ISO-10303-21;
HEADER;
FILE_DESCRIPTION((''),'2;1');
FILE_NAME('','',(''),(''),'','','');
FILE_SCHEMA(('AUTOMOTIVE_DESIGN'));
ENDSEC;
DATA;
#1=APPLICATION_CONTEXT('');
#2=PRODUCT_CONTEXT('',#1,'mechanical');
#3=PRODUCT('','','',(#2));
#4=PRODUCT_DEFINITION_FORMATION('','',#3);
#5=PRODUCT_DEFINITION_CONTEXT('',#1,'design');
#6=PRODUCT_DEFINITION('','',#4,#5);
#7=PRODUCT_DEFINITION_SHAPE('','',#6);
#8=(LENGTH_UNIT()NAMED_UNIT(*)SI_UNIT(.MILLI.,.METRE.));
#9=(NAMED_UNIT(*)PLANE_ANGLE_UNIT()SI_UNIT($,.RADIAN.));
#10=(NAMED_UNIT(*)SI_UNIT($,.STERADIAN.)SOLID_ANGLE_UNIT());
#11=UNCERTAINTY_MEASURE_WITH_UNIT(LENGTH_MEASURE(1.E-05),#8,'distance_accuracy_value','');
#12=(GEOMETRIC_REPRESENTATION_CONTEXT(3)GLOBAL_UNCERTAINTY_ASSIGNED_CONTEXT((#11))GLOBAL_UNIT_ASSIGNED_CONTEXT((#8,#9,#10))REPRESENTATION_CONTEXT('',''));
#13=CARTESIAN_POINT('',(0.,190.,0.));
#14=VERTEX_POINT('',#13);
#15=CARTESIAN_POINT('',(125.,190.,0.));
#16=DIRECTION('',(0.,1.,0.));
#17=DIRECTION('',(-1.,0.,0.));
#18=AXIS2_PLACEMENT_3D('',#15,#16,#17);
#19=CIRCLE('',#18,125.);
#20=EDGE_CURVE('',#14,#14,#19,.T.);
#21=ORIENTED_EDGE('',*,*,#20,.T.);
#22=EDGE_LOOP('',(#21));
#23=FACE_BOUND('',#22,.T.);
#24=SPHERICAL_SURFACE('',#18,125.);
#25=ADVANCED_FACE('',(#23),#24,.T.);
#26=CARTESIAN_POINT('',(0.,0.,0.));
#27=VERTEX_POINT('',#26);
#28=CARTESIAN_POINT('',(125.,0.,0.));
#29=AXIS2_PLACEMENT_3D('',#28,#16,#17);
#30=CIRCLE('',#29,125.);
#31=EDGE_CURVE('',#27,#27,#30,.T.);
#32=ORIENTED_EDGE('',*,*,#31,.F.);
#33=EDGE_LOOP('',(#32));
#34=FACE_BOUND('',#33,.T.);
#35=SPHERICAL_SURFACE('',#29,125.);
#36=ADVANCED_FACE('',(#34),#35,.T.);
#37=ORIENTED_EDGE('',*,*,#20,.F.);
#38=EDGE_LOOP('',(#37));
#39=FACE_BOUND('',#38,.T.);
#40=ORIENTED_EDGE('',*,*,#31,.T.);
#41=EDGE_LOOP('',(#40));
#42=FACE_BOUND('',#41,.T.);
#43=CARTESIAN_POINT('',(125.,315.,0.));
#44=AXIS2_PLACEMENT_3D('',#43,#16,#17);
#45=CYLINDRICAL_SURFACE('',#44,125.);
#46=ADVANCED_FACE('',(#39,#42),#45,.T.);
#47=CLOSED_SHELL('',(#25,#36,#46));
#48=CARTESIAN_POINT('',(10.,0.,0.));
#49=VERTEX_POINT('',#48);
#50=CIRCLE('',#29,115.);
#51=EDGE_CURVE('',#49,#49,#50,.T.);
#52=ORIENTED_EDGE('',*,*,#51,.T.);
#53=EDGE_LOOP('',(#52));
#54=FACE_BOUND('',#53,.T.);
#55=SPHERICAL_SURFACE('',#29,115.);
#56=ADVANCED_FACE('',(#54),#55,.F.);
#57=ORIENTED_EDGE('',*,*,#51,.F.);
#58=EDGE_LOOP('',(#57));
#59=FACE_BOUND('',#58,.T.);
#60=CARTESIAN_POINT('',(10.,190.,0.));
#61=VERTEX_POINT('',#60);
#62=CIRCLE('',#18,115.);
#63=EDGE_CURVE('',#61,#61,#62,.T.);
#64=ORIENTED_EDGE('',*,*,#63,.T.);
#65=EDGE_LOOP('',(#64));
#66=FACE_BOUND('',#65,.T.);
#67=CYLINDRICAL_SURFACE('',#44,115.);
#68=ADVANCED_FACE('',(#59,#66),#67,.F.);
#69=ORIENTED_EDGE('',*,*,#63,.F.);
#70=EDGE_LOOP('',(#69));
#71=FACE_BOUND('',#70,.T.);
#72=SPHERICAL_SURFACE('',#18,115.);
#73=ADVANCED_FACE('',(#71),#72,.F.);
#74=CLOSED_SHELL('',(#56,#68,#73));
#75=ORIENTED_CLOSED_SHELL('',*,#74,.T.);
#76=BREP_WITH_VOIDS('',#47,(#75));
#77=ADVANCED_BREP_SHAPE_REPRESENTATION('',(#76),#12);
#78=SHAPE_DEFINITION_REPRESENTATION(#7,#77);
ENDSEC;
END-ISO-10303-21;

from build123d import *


with BuildPart() as part:
    # Sketch1 → Revolve1 (revolve)
    with BuildSketch(Plane.XY):
        with BuildLine():
            Line((0, 0), (0, 190))
            ThreePointArc((0, 190), (36.611652352, 278.388347648), (125, 315))
            Line((125, 315), (125, 305))
            ThreePointArc((125, 305), (43.682720164, 271.317279836), (10, 190))
            Line((10, 190), (10, 0))
            ThreePointArc((10, 0), (43.682720164, -81.317279836), (125, -115))
            Line((125, -115), (125, -125))
            ThreePointArc((125, -125), (36.611652352, -88.388347648), (0, 0))
        make_face()
    revolve(axis=Axis((125, 315, 0), (0, -1, 0)))


solid = part.part
